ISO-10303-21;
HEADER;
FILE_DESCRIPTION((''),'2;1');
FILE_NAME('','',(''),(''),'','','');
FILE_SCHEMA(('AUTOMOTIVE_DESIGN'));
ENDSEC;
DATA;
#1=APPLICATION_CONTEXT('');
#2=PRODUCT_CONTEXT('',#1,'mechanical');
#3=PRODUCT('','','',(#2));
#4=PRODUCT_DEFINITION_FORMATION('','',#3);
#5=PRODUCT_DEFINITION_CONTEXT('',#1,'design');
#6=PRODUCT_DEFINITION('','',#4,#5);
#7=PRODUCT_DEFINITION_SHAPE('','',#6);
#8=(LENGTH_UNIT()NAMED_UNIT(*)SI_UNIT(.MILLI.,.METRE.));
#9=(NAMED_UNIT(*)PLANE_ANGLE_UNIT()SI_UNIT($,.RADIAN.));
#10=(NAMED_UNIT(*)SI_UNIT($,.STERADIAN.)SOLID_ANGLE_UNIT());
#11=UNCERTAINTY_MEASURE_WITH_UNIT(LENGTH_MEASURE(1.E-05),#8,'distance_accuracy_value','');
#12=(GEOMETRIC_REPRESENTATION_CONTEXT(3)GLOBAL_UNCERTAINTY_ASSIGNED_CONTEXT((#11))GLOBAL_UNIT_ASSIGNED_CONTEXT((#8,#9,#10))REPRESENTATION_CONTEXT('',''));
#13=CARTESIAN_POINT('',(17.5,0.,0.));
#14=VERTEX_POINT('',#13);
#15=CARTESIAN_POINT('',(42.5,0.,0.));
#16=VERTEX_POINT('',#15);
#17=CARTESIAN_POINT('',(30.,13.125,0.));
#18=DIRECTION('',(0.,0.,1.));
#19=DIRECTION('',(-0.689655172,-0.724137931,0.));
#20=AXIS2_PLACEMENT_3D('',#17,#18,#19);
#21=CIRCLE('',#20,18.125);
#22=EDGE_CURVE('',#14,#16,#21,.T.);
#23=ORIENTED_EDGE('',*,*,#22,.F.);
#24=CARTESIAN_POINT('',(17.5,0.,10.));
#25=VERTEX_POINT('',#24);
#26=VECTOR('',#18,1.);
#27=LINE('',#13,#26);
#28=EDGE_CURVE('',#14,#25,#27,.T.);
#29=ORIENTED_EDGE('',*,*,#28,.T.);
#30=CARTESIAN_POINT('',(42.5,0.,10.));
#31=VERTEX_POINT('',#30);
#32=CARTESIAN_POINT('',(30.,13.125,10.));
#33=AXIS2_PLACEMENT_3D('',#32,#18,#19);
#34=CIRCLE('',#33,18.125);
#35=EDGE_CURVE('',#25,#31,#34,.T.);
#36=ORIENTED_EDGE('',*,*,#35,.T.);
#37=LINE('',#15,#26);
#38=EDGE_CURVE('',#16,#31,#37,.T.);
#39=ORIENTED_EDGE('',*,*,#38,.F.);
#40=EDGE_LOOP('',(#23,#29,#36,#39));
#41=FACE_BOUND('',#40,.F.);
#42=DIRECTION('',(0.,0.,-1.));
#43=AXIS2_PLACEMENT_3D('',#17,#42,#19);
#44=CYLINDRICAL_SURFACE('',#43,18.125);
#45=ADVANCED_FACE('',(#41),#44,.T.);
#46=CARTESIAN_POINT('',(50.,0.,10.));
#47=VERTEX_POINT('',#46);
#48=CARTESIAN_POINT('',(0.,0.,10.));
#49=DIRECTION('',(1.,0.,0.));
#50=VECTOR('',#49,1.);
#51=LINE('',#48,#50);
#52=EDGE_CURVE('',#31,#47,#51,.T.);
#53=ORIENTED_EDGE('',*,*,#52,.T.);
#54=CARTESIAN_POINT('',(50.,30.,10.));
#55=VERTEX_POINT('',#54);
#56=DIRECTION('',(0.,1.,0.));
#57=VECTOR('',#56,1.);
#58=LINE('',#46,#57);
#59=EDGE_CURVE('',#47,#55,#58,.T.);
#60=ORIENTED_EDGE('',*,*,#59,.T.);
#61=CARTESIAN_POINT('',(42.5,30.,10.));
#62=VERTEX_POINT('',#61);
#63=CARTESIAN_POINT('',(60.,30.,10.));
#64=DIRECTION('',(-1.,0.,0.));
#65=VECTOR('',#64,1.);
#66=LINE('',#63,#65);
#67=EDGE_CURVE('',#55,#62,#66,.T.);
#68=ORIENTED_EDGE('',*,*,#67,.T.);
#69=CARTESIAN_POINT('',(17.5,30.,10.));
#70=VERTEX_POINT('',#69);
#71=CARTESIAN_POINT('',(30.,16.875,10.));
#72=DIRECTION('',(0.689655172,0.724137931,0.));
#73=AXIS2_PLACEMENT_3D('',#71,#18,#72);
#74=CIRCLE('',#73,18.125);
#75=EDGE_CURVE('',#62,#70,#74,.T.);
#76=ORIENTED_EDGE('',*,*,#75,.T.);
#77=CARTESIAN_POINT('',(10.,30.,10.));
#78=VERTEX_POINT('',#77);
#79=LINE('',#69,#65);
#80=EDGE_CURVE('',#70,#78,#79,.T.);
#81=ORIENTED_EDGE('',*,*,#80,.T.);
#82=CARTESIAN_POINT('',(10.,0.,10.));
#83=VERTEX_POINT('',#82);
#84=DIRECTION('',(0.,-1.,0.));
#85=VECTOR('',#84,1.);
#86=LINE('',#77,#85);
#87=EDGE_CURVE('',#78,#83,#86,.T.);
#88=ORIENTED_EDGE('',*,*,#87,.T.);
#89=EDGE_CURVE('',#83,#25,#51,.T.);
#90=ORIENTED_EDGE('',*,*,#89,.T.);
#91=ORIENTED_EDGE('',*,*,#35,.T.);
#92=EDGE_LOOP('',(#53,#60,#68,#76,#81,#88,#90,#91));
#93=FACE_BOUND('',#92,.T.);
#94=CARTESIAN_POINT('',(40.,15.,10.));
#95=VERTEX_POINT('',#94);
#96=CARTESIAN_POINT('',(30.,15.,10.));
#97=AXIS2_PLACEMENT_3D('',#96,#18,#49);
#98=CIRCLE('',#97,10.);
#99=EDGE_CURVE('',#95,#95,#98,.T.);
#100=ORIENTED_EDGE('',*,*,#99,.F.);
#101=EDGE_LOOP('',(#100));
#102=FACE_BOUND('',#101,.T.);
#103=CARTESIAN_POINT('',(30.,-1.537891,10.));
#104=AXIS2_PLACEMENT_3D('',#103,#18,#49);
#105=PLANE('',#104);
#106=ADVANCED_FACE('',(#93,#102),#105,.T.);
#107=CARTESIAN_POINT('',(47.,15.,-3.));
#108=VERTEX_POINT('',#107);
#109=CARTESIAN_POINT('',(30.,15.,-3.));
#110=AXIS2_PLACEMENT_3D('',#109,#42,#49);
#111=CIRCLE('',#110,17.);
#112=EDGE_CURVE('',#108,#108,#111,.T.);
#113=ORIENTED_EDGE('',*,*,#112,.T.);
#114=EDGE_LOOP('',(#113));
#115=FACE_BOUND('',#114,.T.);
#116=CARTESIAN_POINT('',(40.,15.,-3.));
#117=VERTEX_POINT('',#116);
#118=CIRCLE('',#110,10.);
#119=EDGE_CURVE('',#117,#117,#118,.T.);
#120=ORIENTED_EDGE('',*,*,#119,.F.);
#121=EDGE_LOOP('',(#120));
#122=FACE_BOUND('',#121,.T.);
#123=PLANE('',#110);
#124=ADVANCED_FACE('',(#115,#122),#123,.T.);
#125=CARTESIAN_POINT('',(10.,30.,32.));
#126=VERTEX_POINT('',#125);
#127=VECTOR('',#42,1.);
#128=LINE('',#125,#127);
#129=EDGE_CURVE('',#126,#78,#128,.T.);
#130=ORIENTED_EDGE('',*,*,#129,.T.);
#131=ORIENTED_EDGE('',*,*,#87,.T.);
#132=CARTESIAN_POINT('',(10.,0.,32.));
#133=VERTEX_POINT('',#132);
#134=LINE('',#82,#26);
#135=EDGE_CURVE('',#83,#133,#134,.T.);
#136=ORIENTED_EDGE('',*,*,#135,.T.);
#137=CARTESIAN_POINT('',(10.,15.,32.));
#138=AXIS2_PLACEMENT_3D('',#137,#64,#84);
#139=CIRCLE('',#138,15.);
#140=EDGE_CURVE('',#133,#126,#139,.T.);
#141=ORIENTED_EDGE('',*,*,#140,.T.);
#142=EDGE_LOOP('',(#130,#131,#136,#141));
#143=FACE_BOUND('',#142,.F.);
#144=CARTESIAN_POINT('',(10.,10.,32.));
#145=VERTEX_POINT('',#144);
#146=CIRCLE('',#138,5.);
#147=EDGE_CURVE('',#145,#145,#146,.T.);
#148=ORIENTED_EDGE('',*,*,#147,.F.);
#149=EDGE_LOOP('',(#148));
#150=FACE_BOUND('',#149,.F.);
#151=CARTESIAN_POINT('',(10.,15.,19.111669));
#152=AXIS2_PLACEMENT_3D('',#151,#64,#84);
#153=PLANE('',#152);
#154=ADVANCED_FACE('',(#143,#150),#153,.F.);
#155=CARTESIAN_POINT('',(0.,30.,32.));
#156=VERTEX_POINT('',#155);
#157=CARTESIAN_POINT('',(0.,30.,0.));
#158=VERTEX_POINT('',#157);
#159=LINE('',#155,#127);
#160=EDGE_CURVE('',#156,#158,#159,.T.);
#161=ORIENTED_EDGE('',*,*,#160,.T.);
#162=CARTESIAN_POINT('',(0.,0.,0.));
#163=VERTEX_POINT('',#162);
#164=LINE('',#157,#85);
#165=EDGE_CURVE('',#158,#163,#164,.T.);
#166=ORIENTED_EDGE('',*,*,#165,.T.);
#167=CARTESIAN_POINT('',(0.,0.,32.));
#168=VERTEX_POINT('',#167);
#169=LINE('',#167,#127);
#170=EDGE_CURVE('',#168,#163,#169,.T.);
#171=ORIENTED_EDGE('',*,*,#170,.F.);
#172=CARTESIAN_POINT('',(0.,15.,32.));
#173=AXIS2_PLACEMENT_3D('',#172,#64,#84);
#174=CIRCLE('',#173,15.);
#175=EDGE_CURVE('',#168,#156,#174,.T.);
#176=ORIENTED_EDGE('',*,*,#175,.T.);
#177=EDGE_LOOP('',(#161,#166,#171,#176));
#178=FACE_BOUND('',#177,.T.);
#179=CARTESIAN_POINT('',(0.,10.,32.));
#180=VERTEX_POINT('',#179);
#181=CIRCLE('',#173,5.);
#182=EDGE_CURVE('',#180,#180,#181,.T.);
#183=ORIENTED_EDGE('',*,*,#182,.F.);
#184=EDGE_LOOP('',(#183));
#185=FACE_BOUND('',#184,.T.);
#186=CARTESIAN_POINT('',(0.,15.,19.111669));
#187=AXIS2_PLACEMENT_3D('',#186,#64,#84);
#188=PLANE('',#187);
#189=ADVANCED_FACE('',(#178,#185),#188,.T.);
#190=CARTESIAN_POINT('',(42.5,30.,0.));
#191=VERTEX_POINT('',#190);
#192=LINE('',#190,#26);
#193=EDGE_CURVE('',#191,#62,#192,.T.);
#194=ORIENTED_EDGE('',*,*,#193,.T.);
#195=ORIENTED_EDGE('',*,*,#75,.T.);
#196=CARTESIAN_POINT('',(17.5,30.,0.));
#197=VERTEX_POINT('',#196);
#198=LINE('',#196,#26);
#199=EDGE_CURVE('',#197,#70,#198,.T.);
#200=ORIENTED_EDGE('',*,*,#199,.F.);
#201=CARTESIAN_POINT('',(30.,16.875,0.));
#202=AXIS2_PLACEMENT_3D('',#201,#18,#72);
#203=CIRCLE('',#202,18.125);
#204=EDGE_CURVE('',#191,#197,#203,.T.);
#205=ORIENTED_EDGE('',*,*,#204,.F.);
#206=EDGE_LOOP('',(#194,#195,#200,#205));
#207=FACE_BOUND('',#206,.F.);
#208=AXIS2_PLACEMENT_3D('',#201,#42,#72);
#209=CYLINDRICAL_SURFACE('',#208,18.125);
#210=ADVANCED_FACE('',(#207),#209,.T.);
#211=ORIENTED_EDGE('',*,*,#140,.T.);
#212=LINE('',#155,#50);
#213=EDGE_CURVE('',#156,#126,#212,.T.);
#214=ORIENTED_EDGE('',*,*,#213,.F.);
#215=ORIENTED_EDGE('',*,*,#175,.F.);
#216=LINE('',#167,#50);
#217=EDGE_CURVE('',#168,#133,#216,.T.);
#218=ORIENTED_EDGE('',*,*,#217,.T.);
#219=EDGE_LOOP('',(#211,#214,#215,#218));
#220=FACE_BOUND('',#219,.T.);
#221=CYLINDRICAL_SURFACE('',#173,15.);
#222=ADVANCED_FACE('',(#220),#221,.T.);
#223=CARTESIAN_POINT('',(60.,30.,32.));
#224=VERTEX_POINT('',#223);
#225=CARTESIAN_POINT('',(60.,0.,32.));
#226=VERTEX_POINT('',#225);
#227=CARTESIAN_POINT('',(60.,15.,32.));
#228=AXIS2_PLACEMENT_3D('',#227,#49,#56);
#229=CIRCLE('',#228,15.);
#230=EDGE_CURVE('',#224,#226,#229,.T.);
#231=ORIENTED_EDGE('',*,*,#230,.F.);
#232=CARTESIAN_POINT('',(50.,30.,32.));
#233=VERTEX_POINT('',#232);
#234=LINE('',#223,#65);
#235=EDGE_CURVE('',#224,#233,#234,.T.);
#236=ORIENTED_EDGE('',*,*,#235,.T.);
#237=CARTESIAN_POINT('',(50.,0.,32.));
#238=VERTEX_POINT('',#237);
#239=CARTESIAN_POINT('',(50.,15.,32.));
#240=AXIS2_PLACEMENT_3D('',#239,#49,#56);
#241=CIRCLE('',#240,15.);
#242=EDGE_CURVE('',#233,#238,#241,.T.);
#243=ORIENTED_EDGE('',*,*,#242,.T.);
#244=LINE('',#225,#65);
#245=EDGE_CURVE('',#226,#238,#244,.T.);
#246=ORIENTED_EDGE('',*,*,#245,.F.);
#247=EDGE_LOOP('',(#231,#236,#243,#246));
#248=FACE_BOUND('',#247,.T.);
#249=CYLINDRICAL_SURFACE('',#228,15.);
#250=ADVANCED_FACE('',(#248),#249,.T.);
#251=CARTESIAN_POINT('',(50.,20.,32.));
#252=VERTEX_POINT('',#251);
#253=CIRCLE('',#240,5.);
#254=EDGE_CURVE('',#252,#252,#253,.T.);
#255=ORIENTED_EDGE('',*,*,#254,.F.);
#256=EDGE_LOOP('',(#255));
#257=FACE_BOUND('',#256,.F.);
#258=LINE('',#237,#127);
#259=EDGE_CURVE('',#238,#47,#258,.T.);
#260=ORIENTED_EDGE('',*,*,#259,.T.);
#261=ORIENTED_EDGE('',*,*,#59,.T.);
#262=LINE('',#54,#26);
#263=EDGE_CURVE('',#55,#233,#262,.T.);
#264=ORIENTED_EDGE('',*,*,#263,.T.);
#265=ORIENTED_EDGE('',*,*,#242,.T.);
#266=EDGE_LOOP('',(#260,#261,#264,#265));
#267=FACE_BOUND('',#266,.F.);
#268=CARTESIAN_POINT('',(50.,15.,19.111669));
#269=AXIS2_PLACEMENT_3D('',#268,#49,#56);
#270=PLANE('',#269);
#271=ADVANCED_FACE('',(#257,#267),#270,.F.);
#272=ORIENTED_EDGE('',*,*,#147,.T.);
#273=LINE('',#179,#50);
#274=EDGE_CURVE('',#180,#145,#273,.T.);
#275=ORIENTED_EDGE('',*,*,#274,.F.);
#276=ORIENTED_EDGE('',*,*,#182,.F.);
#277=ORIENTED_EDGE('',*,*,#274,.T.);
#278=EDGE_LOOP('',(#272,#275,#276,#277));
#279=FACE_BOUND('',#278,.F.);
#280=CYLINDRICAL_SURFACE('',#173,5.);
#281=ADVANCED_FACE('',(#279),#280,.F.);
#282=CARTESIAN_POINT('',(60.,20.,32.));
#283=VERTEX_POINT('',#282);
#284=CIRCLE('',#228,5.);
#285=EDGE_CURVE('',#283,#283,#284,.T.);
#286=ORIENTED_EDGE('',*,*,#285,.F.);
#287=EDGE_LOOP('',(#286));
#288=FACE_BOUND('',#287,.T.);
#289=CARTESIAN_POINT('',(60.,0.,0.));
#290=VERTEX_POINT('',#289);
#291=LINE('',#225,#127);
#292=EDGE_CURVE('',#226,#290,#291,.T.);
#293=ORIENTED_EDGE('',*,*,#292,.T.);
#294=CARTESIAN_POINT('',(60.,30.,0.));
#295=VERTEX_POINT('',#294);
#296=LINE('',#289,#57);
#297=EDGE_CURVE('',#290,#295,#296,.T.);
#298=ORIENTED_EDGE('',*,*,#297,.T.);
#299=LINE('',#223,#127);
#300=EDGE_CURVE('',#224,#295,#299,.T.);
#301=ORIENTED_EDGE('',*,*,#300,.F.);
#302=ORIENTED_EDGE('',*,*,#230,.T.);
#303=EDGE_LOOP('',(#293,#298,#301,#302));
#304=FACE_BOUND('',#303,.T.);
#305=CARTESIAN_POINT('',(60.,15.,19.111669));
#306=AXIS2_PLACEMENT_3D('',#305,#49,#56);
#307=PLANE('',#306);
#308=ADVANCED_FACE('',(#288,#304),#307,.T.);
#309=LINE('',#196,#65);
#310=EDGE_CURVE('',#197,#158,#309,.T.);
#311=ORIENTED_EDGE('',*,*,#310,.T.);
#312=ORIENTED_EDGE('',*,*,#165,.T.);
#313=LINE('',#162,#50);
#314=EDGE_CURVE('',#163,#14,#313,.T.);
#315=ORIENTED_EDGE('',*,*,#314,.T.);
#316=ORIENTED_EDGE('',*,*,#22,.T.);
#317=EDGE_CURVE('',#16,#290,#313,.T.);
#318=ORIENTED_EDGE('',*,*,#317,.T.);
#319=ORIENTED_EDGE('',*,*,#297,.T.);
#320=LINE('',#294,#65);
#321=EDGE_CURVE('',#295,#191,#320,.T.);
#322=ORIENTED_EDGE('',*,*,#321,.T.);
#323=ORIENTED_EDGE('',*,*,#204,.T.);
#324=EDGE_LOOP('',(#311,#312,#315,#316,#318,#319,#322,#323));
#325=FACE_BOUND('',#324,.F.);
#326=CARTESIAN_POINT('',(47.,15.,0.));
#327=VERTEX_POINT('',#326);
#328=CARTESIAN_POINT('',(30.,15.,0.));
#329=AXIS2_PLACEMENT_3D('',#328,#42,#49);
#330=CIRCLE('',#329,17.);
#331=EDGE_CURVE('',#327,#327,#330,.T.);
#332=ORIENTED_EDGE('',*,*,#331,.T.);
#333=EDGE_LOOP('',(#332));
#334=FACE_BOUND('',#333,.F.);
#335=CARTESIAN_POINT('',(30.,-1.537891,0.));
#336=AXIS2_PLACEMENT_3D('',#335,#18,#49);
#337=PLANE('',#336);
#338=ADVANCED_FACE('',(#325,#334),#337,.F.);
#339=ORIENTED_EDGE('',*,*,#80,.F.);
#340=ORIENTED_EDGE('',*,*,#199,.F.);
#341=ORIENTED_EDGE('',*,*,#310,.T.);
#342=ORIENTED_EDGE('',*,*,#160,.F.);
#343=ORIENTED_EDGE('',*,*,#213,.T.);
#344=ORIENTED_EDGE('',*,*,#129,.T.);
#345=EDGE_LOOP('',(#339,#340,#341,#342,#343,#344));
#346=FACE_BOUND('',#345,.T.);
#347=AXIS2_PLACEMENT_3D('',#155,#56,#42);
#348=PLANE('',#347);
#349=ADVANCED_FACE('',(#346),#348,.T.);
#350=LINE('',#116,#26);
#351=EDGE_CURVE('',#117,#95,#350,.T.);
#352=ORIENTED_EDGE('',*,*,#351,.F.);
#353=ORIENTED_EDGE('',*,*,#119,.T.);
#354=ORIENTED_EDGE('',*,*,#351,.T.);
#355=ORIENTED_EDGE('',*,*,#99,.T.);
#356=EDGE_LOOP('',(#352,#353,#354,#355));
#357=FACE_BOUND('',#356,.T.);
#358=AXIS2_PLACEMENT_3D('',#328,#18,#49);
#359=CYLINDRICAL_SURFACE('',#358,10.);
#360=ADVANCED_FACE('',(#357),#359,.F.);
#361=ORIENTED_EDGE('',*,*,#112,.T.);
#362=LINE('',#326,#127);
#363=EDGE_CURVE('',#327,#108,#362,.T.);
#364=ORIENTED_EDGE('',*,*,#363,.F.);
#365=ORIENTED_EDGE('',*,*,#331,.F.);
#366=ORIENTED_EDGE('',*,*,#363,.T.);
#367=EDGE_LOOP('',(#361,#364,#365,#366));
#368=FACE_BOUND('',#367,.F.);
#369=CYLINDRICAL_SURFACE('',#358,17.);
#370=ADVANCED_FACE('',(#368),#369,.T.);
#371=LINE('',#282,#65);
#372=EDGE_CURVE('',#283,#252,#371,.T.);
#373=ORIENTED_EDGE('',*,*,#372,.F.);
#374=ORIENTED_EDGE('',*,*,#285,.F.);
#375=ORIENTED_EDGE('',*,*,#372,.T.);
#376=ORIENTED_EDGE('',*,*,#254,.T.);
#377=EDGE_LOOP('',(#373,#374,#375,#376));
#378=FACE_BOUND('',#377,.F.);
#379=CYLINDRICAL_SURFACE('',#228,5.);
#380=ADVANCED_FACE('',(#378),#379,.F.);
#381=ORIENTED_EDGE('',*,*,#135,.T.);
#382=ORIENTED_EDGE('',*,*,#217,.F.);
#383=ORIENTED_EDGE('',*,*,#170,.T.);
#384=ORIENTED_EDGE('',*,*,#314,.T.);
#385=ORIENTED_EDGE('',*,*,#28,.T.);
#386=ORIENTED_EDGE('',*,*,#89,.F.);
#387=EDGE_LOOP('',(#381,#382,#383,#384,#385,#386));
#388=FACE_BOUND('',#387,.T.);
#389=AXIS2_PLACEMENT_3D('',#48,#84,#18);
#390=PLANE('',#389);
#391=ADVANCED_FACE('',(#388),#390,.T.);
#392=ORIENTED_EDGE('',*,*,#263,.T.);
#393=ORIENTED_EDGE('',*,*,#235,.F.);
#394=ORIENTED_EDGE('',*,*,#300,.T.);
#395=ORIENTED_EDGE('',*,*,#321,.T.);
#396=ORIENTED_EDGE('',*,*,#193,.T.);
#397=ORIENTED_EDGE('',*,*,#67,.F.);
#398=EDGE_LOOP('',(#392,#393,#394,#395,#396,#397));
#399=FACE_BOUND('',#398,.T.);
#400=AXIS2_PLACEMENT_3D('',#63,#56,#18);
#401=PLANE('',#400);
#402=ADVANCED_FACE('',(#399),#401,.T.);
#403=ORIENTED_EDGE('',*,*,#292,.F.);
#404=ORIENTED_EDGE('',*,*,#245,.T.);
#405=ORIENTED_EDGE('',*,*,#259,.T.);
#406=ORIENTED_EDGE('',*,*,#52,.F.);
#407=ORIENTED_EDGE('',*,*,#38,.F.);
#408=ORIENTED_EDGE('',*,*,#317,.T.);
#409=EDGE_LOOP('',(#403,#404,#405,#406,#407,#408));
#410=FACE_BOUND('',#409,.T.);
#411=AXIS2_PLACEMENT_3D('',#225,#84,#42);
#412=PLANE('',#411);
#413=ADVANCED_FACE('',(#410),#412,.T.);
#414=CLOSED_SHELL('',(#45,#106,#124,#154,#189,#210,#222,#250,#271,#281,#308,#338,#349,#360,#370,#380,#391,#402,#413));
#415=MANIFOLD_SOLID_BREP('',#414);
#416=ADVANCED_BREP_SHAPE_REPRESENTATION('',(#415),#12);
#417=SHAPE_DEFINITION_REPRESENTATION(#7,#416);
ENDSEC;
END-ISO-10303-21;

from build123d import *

# Parameters (mm, degrees)
F1_DEPTH  = 10
F2_R      = 10
F3_DEPTH  = 10.001
F4_R      = 17
F4_R_2    = 10
F5_DEPTH  = 3
F7_R      = 5
F8_DEPTH  = 10
F9_R      = 5
F10_DEPTH = 10


with BuildPart() as f1:
    # F0 (on Top) → F1 (new body)
    with BuildSketch(Plane.XY):
        with BuildLine():
            Line((42.5, 0), (17.5, 0))
            ThreePointArc((17.5, 0), (30, -5), (42.5, 0))
        make_face()
        with BuildLine():
            Line((0, 30), (0, 0))
            Line((0, 0), (17.5, 0))
            Line((17.5, 0), (42.5, 0))
            Line((42.5, 0), (60, 0))
            Line((60, 0), (60, 30))
            Line((60, 30), (42.5, 30))
            ThreePointArc((42.5, 30), (30, 35), (17.5, 30))
            Line((17.5, 30), (0, 30))
        make_face()
    extrude(amount=F1_DEPTH)

    # F2 (on face) → F3 (cut, through all)
    with BuildSketch(Plane.XY.offset(10)):
        with Locations((30, 15)):
            Circle(F2_R)
    extrude(amount=-F3_DEPTH, mode=Mode.SUBTRACT)

    # F4 (on face) → F5 (join)
    with BuildSketch(Plane(origin=(0, 0, 0), x_dir=(1, 0, 0), z_dir=(0, 0, -1))):
        with Locations((30, -15)):
            Circle(F4_R)
        with Locations((30, -15)):
            Circle(F4_R_2, mode=Mode.SUBTRACT)
    extrude(amount=F5_DEPTH)

    # F7 (on face) → F8 (join)
    with BuildSketch(Plane.YZ.offset(60)):
        with BuildLine():
            Line((30, 10), (30, 32))
            ThreePointArc((30, 32), (15, 17), (0, 32))
            Line((0, 32), (0, 10))
            Line((0, 10), (30, 10))
        make_face()
        with BuildLine():
            ThreePointArc((0, 32), (15, 17), (30, 32))
            ThreePointArc((30, 32), (15, 47), (0, 32))
        make_face()
        with Locations((15, 32)):
            Circle(F7_R, mode=Mode.SUBTRACT)
    extrude(amount=-F8_DEPTH)

    # F9 (on face) → F10 (join)
    with BuildSketch(Plane(origin=(0, 0, 0), x_dir=(0, -1, 0), z_dir=(-1, 0, 0))):
        with BuildLine():
            Line((0, 10), (0, 32))
            ThreePointArc((0, 32), (-15, 17), (-30, 32))
            Line((-30, 32), (-30, 10))
            Line((-30, 10), (0, 10))
        make_face()
        with BuildLine():
            ThreePointArc((-30, 32), (-15, 17), (0, 32))
            ThreePointArc((0, 32), (-15, 47), (-30, 32))
        make_face()
        with Locations((-15, 32)):
            Circle(F9_R, mode=Mode.SUBTRACT)
    extrude(amount=-F10_DEPTH)


solid = f1.part
